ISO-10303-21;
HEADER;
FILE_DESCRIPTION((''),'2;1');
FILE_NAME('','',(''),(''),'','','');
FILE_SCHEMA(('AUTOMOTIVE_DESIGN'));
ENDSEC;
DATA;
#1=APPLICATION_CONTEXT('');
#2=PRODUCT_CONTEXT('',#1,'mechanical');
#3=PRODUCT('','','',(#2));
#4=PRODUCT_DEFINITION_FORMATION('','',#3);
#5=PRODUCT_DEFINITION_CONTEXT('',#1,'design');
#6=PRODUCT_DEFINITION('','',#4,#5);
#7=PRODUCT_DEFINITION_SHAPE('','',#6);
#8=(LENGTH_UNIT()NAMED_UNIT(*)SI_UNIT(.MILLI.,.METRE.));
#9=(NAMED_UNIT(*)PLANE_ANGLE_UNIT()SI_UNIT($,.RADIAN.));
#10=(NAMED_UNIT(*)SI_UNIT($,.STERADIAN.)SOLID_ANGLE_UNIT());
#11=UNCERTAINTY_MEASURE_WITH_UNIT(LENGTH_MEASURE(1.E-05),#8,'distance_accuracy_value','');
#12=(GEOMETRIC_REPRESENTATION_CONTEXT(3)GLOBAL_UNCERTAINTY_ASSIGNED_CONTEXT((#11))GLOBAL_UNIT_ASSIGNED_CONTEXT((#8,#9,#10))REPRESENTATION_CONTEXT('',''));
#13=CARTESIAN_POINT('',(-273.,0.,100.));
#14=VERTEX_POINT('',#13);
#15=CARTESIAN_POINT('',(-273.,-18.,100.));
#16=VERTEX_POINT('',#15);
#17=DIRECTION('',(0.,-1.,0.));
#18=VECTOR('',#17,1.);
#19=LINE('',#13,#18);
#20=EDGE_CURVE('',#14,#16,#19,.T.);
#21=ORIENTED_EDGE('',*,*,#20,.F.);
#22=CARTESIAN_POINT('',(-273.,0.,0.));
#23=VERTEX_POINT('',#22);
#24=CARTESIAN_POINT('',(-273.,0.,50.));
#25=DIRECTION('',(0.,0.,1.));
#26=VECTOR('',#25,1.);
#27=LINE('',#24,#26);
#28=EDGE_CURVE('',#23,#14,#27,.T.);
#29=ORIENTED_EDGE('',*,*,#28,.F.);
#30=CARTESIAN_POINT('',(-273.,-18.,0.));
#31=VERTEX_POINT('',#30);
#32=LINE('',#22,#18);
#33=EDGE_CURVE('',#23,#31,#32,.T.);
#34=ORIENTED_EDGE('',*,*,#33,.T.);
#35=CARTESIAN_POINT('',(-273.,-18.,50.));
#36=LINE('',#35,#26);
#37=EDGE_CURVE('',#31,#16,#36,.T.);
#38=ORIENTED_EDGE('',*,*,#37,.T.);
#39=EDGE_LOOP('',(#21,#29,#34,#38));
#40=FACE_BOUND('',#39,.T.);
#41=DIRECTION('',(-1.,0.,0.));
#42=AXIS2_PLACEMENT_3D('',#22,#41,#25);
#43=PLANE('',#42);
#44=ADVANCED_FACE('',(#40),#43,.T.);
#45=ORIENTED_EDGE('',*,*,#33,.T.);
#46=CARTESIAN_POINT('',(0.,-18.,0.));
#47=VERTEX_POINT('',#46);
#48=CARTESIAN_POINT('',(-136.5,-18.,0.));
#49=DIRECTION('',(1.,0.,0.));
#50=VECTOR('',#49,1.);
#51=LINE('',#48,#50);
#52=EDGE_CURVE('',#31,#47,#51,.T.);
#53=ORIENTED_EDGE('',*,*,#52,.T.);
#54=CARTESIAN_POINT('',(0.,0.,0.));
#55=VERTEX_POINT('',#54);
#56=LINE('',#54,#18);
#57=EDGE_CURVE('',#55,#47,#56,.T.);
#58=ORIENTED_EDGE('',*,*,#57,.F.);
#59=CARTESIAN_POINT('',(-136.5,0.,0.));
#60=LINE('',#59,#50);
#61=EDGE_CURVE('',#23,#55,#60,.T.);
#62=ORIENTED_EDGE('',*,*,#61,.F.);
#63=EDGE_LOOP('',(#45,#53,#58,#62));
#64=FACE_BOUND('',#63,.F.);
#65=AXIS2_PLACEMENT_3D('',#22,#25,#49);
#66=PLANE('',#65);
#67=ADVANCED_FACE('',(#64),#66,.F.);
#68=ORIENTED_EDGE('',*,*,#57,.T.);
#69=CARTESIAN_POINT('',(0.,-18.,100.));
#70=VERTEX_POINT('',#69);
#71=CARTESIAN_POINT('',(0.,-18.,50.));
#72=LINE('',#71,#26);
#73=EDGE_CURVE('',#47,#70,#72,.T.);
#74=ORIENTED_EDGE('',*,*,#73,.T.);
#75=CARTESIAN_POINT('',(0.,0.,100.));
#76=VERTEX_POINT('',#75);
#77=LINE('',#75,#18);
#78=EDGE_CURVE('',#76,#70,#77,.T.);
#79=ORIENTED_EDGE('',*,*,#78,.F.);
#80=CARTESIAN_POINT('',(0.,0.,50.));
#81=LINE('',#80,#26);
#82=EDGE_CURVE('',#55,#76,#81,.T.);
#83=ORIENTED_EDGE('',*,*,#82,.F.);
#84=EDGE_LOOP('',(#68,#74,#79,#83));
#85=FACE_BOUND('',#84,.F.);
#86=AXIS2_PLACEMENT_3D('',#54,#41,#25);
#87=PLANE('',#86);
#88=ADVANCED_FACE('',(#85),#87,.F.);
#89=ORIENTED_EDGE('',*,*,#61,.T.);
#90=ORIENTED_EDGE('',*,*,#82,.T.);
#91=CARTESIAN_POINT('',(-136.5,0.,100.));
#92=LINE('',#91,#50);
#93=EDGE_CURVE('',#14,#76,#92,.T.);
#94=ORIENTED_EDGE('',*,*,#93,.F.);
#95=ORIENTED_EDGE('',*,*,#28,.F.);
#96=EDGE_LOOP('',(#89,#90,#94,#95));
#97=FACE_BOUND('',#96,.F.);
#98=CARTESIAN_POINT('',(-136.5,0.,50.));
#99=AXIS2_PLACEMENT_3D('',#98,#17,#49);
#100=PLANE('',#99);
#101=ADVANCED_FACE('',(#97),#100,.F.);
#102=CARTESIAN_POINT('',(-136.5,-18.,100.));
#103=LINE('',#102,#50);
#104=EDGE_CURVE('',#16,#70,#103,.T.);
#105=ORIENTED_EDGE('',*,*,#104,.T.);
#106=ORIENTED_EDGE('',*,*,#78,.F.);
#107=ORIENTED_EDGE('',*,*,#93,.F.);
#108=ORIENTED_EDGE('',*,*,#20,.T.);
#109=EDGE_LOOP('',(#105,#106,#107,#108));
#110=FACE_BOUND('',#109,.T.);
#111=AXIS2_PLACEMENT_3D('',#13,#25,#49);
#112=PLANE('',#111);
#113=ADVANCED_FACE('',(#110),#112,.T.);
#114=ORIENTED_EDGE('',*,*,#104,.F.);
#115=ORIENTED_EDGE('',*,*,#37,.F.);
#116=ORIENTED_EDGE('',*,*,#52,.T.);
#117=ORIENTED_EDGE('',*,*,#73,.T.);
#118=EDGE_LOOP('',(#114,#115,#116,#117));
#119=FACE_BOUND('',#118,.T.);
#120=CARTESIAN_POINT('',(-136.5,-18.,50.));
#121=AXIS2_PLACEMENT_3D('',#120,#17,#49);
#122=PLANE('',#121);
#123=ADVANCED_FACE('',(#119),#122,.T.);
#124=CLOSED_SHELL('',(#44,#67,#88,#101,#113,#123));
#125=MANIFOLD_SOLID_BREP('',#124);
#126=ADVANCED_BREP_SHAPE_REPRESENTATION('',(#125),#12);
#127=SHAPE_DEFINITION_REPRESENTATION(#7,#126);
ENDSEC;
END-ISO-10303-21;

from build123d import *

# Parameters (mm, degrees)
SKETCH_W  = 273
SKETCH_H  = 100
PAD_DEPTH = 18


with BuildPart() as part:
    # Sketch → Pad (new body)
    with BuildSketch(Plane.XZ):
        with Locations((-136.5, 50)):
            Rectangle(SKETCH_W, SKETCH_H)
    extrude(amount=PAD_DEPTH)


solid = part.part
